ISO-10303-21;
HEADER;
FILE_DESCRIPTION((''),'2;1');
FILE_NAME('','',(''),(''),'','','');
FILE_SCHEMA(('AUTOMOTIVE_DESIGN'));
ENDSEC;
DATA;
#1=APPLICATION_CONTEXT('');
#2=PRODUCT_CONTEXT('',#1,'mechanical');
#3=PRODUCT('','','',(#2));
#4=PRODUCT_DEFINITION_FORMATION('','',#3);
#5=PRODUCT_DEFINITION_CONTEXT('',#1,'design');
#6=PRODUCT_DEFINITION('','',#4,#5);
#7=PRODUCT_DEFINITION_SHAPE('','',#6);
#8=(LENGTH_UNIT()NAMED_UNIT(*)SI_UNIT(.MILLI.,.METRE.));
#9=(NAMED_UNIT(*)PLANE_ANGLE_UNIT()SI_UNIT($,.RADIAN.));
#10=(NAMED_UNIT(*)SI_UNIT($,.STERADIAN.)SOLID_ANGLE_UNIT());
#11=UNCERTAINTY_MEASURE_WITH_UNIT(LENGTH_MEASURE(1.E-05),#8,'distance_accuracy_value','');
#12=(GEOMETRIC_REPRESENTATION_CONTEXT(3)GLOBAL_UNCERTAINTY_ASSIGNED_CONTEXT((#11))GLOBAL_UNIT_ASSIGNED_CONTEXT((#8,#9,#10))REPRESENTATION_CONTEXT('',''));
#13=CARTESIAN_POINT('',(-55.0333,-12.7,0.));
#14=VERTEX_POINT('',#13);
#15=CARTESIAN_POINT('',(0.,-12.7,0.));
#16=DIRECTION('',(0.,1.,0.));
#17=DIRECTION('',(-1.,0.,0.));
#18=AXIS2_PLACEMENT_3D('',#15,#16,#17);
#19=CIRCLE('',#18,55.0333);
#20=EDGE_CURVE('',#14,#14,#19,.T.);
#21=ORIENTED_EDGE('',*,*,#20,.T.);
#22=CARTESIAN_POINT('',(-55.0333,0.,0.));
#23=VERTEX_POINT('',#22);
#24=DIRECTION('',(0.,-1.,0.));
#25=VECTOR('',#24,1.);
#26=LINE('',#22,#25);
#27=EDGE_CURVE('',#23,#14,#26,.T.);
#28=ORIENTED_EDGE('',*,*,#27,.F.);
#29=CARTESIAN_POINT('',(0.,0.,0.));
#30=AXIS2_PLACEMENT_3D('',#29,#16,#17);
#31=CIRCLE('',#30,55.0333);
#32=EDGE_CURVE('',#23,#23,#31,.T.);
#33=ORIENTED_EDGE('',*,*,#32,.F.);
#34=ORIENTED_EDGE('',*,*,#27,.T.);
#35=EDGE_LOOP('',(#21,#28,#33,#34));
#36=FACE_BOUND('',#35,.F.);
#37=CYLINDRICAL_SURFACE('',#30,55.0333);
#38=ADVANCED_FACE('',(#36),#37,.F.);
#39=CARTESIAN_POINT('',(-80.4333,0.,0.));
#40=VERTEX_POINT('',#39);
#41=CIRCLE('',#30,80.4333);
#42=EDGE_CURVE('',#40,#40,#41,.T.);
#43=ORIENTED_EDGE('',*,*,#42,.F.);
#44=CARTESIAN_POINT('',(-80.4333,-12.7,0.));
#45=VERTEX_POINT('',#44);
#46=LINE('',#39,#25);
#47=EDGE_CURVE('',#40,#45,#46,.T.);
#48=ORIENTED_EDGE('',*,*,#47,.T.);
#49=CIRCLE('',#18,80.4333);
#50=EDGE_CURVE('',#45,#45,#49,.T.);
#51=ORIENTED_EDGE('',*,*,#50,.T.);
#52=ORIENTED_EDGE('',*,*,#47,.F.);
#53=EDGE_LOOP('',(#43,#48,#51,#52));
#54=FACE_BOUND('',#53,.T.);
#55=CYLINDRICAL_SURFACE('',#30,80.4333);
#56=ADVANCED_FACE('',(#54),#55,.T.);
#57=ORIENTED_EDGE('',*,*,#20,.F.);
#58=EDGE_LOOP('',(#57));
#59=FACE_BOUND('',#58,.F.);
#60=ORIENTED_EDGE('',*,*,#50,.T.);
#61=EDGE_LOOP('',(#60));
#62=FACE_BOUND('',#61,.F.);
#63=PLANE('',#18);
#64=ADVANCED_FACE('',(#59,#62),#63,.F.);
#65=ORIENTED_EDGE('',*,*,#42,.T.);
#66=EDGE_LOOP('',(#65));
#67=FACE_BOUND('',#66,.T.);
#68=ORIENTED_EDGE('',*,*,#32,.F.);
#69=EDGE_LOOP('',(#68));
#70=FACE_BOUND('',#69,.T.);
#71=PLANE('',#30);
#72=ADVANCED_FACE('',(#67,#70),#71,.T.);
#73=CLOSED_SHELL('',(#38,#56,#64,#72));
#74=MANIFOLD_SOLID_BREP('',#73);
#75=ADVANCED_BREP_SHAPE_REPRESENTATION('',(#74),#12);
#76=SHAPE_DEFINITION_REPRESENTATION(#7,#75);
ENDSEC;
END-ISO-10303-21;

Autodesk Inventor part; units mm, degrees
ref_plane "YZ Plane" through (0, 0, 0) normal (1, 0, 0) x (0, 1, 0)
ref_plane "XZ Plane" through (0, 0, 0) normal (0, 1, 0) x (-1, 0, 0)
sketch "Sketch1" plane through (0, 0, 0) normal (0, 1, 0) x (-1, 0, 0)
  circle A0 centre (0, 0) radius 55.0333
  circle A1 centre (0, 0) radius 80.4333
  dimension "d0" = 110.0667
  dimension "d1" = 160.8667
extrude "Extrusion1" add sketch "Sketch1" against normal blind 12.7
sketch "Sketch2" plane through (0, 0, 0) normal (0, 1, 0) x (1, 0, 0)
  point P0 (0, 0)
  point P1 (69.6156, 25.338)
  point P2 (37.0417, 64.158)
  point P3 (-56.7511, 47.6198)
  point P4 (-74.0833, 0)
  point P5 (-12.8644, -72.9578)
  point P6 (37.0417, -64.158)
  point P7 (37.0417, -64.158)
  point P8 (69.6156, 25.338)
  point P9 (-12.8644, -72.9578)
sketch "Sketch4" plane through (0, 0, 0) normal (0, 0, 1) x (1, 0, 0)
  line L0 (70.9083, -9.525) -> (77.2583, -9.525)
  line L1 (77.2583, -9.525) -> (77.2583, 9.525)
  line L2 (77.2583, 9.525) -> (70.9083, 9.525)
  line L3 (70.9083, 9.525) -> (70.9083, -9.525)
  line L4 (-80.4333, 0) -> (80.4333, 0) projected
  line L5 (70.9083, -9.525) -> (77.2583, 9.525) construction
  line L6 (77.2583, -9.525) -> (70.9083, 9.525) construction
  point P0 (0, 0)
  point P1 (74.0833, 0)
  dimension "d19" = 74.0833
  dimension "d20" = 9.525
  dimension "d21" = 6.35
equation "\"d0\" = ringInnerDiam"
equation "\"d1\" = ringOuterDiam"
equation "\"d2\" = ringThickness"
equation "\"ringOuterDiam\" = ringInnerDiam + 2 * ringWidth"
equation "\"ringInnerDiam\" = 110.06667"
equation "\"ringWidth\" = 25.4"
equation "\"ringInnerRadius\" = 0.5 * ringInnerDiam"
equation "\"ringOuterRadius\" = 0.5 * ringOuterDiam"
equation "\"ringThickness\" = 12.7"
equation "\"camOuterRadius\" = -0.5 * camTrackWidth + ringOuterRadius - camTrackSpacing"
equation "\"camTrackWidth\" = 6.35"
equation "\"camTrackSpacing\" = 3.175"
equation "\"camInnerRadius\" = 0.5 * camTrackWidth + ringInnerRadius + camTrackSpacing"
equation "\"camRun\" = camOuterRadius - camInnerRadius"
equation "\"angleScaleFactor\" = 4.5"
equation "\"angle280Delta\" = 1170"
equation "\"camTrackDepth\" = 9.525"
properties part number "vexCamRing8"
